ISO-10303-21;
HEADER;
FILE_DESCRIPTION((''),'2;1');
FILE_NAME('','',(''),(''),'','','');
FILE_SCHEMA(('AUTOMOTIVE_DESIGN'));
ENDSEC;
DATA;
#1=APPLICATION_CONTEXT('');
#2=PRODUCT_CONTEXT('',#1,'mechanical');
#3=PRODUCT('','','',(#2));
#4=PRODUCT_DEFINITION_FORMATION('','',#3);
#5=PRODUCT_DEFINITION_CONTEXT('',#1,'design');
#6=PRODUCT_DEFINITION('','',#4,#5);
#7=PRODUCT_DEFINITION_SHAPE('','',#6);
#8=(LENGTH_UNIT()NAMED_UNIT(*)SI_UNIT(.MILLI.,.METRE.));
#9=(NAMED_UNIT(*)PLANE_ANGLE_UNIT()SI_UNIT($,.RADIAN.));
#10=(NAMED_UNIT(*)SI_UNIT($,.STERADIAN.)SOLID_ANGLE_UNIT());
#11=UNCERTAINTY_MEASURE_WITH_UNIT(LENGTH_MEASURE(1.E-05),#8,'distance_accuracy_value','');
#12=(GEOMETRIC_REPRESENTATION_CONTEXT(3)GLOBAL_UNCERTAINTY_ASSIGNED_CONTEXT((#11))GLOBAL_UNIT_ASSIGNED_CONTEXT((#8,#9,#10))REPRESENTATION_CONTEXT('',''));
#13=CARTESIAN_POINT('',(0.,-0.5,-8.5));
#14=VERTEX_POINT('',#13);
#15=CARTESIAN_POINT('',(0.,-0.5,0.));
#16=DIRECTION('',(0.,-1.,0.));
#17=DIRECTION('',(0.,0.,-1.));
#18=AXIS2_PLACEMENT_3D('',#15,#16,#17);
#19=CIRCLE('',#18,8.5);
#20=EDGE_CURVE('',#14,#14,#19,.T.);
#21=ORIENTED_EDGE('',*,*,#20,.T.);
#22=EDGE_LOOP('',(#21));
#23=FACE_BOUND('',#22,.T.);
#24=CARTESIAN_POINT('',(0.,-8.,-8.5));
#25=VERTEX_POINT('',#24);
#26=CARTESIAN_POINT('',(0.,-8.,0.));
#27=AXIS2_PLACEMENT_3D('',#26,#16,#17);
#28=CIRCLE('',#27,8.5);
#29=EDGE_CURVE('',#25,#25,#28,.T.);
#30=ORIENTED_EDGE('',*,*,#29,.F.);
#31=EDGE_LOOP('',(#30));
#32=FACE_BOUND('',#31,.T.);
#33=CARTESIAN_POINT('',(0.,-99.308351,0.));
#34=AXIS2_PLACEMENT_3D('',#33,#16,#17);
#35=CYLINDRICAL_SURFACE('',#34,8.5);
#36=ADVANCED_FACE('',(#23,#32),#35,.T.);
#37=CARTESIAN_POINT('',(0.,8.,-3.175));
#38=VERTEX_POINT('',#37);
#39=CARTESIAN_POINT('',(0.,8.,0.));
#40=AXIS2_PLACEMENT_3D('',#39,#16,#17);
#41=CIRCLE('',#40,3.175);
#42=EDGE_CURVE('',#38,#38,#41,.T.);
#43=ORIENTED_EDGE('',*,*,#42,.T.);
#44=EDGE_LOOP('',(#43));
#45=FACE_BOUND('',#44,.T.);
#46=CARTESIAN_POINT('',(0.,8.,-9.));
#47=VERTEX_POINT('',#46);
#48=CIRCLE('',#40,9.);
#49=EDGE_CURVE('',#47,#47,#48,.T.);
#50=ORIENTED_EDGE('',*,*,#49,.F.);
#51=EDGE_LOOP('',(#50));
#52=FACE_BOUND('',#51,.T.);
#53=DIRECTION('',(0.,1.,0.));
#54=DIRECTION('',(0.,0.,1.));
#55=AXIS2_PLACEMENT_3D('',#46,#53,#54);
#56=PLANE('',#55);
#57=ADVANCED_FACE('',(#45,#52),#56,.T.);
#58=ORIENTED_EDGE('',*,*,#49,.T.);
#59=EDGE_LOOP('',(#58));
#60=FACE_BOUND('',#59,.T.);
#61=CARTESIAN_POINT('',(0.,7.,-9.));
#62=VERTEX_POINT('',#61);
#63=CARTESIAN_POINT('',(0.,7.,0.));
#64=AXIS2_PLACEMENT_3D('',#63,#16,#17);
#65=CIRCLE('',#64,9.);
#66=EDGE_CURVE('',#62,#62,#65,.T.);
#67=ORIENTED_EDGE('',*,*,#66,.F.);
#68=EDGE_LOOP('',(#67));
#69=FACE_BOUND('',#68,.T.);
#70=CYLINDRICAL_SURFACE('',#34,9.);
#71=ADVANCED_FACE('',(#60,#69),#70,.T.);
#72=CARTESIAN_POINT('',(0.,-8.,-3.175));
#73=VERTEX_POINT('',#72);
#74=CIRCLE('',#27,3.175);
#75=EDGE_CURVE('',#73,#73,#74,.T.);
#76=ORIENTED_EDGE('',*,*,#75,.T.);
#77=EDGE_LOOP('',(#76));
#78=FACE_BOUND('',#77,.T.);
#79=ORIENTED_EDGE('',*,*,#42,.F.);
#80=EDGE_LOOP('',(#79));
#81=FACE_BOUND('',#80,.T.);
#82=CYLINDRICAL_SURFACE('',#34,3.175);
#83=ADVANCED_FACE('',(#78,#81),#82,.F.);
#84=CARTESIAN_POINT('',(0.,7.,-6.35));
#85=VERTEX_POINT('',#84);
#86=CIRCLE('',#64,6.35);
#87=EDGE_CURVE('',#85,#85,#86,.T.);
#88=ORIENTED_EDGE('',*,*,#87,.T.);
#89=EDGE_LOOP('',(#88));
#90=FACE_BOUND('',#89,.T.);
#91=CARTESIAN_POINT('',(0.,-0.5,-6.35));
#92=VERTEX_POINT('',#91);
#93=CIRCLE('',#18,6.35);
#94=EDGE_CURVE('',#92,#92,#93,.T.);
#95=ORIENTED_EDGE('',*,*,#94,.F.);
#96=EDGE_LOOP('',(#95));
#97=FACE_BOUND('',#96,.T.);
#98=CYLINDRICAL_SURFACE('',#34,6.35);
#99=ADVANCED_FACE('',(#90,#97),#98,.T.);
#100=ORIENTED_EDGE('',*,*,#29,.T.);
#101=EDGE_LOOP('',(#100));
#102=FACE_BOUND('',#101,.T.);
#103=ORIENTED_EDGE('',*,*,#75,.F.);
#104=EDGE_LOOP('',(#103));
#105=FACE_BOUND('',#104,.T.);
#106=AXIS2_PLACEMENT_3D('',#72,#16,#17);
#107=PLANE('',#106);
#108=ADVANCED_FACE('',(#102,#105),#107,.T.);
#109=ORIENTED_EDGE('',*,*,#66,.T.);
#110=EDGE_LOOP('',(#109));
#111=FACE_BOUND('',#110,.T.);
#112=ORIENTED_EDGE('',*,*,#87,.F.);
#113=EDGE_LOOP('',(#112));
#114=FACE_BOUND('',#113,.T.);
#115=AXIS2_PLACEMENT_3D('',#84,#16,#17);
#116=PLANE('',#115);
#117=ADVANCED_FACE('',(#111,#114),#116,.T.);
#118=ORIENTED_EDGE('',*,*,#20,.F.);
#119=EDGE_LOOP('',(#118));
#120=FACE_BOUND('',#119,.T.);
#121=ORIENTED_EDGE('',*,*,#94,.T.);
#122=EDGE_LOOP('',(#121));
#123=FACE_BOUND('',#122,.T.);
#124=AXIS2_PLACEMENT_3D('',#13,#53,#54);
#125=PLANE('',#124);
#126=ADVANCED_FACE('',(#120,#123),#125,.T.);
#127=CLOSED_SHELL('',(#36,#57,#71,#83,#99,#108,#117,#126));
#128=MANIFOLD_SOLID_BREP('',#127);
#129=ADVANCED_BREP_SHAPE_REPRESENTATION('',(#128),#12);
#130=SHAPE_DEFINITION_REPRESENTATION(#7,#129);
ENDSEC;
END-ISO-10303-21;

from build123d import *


with BuildPart() as part:
    # Sketch1 → Profile (revolve)
    with BuildSketch(Plane(origin=(0, 0, 0), x_dir=(0, 0, -1), z_dir=(1, 0, 0))):
        Polygon((3.175, -8), (3.175, 8), (9, 8), (9, 7), (6.35, 7), (6.35, -0.5), (8.5, -0.5), (8.5, -8), align=None)
    revolve(axis=Axis((0, -99.30835098, 0), (0, 1, 0)))


solid = part.part
